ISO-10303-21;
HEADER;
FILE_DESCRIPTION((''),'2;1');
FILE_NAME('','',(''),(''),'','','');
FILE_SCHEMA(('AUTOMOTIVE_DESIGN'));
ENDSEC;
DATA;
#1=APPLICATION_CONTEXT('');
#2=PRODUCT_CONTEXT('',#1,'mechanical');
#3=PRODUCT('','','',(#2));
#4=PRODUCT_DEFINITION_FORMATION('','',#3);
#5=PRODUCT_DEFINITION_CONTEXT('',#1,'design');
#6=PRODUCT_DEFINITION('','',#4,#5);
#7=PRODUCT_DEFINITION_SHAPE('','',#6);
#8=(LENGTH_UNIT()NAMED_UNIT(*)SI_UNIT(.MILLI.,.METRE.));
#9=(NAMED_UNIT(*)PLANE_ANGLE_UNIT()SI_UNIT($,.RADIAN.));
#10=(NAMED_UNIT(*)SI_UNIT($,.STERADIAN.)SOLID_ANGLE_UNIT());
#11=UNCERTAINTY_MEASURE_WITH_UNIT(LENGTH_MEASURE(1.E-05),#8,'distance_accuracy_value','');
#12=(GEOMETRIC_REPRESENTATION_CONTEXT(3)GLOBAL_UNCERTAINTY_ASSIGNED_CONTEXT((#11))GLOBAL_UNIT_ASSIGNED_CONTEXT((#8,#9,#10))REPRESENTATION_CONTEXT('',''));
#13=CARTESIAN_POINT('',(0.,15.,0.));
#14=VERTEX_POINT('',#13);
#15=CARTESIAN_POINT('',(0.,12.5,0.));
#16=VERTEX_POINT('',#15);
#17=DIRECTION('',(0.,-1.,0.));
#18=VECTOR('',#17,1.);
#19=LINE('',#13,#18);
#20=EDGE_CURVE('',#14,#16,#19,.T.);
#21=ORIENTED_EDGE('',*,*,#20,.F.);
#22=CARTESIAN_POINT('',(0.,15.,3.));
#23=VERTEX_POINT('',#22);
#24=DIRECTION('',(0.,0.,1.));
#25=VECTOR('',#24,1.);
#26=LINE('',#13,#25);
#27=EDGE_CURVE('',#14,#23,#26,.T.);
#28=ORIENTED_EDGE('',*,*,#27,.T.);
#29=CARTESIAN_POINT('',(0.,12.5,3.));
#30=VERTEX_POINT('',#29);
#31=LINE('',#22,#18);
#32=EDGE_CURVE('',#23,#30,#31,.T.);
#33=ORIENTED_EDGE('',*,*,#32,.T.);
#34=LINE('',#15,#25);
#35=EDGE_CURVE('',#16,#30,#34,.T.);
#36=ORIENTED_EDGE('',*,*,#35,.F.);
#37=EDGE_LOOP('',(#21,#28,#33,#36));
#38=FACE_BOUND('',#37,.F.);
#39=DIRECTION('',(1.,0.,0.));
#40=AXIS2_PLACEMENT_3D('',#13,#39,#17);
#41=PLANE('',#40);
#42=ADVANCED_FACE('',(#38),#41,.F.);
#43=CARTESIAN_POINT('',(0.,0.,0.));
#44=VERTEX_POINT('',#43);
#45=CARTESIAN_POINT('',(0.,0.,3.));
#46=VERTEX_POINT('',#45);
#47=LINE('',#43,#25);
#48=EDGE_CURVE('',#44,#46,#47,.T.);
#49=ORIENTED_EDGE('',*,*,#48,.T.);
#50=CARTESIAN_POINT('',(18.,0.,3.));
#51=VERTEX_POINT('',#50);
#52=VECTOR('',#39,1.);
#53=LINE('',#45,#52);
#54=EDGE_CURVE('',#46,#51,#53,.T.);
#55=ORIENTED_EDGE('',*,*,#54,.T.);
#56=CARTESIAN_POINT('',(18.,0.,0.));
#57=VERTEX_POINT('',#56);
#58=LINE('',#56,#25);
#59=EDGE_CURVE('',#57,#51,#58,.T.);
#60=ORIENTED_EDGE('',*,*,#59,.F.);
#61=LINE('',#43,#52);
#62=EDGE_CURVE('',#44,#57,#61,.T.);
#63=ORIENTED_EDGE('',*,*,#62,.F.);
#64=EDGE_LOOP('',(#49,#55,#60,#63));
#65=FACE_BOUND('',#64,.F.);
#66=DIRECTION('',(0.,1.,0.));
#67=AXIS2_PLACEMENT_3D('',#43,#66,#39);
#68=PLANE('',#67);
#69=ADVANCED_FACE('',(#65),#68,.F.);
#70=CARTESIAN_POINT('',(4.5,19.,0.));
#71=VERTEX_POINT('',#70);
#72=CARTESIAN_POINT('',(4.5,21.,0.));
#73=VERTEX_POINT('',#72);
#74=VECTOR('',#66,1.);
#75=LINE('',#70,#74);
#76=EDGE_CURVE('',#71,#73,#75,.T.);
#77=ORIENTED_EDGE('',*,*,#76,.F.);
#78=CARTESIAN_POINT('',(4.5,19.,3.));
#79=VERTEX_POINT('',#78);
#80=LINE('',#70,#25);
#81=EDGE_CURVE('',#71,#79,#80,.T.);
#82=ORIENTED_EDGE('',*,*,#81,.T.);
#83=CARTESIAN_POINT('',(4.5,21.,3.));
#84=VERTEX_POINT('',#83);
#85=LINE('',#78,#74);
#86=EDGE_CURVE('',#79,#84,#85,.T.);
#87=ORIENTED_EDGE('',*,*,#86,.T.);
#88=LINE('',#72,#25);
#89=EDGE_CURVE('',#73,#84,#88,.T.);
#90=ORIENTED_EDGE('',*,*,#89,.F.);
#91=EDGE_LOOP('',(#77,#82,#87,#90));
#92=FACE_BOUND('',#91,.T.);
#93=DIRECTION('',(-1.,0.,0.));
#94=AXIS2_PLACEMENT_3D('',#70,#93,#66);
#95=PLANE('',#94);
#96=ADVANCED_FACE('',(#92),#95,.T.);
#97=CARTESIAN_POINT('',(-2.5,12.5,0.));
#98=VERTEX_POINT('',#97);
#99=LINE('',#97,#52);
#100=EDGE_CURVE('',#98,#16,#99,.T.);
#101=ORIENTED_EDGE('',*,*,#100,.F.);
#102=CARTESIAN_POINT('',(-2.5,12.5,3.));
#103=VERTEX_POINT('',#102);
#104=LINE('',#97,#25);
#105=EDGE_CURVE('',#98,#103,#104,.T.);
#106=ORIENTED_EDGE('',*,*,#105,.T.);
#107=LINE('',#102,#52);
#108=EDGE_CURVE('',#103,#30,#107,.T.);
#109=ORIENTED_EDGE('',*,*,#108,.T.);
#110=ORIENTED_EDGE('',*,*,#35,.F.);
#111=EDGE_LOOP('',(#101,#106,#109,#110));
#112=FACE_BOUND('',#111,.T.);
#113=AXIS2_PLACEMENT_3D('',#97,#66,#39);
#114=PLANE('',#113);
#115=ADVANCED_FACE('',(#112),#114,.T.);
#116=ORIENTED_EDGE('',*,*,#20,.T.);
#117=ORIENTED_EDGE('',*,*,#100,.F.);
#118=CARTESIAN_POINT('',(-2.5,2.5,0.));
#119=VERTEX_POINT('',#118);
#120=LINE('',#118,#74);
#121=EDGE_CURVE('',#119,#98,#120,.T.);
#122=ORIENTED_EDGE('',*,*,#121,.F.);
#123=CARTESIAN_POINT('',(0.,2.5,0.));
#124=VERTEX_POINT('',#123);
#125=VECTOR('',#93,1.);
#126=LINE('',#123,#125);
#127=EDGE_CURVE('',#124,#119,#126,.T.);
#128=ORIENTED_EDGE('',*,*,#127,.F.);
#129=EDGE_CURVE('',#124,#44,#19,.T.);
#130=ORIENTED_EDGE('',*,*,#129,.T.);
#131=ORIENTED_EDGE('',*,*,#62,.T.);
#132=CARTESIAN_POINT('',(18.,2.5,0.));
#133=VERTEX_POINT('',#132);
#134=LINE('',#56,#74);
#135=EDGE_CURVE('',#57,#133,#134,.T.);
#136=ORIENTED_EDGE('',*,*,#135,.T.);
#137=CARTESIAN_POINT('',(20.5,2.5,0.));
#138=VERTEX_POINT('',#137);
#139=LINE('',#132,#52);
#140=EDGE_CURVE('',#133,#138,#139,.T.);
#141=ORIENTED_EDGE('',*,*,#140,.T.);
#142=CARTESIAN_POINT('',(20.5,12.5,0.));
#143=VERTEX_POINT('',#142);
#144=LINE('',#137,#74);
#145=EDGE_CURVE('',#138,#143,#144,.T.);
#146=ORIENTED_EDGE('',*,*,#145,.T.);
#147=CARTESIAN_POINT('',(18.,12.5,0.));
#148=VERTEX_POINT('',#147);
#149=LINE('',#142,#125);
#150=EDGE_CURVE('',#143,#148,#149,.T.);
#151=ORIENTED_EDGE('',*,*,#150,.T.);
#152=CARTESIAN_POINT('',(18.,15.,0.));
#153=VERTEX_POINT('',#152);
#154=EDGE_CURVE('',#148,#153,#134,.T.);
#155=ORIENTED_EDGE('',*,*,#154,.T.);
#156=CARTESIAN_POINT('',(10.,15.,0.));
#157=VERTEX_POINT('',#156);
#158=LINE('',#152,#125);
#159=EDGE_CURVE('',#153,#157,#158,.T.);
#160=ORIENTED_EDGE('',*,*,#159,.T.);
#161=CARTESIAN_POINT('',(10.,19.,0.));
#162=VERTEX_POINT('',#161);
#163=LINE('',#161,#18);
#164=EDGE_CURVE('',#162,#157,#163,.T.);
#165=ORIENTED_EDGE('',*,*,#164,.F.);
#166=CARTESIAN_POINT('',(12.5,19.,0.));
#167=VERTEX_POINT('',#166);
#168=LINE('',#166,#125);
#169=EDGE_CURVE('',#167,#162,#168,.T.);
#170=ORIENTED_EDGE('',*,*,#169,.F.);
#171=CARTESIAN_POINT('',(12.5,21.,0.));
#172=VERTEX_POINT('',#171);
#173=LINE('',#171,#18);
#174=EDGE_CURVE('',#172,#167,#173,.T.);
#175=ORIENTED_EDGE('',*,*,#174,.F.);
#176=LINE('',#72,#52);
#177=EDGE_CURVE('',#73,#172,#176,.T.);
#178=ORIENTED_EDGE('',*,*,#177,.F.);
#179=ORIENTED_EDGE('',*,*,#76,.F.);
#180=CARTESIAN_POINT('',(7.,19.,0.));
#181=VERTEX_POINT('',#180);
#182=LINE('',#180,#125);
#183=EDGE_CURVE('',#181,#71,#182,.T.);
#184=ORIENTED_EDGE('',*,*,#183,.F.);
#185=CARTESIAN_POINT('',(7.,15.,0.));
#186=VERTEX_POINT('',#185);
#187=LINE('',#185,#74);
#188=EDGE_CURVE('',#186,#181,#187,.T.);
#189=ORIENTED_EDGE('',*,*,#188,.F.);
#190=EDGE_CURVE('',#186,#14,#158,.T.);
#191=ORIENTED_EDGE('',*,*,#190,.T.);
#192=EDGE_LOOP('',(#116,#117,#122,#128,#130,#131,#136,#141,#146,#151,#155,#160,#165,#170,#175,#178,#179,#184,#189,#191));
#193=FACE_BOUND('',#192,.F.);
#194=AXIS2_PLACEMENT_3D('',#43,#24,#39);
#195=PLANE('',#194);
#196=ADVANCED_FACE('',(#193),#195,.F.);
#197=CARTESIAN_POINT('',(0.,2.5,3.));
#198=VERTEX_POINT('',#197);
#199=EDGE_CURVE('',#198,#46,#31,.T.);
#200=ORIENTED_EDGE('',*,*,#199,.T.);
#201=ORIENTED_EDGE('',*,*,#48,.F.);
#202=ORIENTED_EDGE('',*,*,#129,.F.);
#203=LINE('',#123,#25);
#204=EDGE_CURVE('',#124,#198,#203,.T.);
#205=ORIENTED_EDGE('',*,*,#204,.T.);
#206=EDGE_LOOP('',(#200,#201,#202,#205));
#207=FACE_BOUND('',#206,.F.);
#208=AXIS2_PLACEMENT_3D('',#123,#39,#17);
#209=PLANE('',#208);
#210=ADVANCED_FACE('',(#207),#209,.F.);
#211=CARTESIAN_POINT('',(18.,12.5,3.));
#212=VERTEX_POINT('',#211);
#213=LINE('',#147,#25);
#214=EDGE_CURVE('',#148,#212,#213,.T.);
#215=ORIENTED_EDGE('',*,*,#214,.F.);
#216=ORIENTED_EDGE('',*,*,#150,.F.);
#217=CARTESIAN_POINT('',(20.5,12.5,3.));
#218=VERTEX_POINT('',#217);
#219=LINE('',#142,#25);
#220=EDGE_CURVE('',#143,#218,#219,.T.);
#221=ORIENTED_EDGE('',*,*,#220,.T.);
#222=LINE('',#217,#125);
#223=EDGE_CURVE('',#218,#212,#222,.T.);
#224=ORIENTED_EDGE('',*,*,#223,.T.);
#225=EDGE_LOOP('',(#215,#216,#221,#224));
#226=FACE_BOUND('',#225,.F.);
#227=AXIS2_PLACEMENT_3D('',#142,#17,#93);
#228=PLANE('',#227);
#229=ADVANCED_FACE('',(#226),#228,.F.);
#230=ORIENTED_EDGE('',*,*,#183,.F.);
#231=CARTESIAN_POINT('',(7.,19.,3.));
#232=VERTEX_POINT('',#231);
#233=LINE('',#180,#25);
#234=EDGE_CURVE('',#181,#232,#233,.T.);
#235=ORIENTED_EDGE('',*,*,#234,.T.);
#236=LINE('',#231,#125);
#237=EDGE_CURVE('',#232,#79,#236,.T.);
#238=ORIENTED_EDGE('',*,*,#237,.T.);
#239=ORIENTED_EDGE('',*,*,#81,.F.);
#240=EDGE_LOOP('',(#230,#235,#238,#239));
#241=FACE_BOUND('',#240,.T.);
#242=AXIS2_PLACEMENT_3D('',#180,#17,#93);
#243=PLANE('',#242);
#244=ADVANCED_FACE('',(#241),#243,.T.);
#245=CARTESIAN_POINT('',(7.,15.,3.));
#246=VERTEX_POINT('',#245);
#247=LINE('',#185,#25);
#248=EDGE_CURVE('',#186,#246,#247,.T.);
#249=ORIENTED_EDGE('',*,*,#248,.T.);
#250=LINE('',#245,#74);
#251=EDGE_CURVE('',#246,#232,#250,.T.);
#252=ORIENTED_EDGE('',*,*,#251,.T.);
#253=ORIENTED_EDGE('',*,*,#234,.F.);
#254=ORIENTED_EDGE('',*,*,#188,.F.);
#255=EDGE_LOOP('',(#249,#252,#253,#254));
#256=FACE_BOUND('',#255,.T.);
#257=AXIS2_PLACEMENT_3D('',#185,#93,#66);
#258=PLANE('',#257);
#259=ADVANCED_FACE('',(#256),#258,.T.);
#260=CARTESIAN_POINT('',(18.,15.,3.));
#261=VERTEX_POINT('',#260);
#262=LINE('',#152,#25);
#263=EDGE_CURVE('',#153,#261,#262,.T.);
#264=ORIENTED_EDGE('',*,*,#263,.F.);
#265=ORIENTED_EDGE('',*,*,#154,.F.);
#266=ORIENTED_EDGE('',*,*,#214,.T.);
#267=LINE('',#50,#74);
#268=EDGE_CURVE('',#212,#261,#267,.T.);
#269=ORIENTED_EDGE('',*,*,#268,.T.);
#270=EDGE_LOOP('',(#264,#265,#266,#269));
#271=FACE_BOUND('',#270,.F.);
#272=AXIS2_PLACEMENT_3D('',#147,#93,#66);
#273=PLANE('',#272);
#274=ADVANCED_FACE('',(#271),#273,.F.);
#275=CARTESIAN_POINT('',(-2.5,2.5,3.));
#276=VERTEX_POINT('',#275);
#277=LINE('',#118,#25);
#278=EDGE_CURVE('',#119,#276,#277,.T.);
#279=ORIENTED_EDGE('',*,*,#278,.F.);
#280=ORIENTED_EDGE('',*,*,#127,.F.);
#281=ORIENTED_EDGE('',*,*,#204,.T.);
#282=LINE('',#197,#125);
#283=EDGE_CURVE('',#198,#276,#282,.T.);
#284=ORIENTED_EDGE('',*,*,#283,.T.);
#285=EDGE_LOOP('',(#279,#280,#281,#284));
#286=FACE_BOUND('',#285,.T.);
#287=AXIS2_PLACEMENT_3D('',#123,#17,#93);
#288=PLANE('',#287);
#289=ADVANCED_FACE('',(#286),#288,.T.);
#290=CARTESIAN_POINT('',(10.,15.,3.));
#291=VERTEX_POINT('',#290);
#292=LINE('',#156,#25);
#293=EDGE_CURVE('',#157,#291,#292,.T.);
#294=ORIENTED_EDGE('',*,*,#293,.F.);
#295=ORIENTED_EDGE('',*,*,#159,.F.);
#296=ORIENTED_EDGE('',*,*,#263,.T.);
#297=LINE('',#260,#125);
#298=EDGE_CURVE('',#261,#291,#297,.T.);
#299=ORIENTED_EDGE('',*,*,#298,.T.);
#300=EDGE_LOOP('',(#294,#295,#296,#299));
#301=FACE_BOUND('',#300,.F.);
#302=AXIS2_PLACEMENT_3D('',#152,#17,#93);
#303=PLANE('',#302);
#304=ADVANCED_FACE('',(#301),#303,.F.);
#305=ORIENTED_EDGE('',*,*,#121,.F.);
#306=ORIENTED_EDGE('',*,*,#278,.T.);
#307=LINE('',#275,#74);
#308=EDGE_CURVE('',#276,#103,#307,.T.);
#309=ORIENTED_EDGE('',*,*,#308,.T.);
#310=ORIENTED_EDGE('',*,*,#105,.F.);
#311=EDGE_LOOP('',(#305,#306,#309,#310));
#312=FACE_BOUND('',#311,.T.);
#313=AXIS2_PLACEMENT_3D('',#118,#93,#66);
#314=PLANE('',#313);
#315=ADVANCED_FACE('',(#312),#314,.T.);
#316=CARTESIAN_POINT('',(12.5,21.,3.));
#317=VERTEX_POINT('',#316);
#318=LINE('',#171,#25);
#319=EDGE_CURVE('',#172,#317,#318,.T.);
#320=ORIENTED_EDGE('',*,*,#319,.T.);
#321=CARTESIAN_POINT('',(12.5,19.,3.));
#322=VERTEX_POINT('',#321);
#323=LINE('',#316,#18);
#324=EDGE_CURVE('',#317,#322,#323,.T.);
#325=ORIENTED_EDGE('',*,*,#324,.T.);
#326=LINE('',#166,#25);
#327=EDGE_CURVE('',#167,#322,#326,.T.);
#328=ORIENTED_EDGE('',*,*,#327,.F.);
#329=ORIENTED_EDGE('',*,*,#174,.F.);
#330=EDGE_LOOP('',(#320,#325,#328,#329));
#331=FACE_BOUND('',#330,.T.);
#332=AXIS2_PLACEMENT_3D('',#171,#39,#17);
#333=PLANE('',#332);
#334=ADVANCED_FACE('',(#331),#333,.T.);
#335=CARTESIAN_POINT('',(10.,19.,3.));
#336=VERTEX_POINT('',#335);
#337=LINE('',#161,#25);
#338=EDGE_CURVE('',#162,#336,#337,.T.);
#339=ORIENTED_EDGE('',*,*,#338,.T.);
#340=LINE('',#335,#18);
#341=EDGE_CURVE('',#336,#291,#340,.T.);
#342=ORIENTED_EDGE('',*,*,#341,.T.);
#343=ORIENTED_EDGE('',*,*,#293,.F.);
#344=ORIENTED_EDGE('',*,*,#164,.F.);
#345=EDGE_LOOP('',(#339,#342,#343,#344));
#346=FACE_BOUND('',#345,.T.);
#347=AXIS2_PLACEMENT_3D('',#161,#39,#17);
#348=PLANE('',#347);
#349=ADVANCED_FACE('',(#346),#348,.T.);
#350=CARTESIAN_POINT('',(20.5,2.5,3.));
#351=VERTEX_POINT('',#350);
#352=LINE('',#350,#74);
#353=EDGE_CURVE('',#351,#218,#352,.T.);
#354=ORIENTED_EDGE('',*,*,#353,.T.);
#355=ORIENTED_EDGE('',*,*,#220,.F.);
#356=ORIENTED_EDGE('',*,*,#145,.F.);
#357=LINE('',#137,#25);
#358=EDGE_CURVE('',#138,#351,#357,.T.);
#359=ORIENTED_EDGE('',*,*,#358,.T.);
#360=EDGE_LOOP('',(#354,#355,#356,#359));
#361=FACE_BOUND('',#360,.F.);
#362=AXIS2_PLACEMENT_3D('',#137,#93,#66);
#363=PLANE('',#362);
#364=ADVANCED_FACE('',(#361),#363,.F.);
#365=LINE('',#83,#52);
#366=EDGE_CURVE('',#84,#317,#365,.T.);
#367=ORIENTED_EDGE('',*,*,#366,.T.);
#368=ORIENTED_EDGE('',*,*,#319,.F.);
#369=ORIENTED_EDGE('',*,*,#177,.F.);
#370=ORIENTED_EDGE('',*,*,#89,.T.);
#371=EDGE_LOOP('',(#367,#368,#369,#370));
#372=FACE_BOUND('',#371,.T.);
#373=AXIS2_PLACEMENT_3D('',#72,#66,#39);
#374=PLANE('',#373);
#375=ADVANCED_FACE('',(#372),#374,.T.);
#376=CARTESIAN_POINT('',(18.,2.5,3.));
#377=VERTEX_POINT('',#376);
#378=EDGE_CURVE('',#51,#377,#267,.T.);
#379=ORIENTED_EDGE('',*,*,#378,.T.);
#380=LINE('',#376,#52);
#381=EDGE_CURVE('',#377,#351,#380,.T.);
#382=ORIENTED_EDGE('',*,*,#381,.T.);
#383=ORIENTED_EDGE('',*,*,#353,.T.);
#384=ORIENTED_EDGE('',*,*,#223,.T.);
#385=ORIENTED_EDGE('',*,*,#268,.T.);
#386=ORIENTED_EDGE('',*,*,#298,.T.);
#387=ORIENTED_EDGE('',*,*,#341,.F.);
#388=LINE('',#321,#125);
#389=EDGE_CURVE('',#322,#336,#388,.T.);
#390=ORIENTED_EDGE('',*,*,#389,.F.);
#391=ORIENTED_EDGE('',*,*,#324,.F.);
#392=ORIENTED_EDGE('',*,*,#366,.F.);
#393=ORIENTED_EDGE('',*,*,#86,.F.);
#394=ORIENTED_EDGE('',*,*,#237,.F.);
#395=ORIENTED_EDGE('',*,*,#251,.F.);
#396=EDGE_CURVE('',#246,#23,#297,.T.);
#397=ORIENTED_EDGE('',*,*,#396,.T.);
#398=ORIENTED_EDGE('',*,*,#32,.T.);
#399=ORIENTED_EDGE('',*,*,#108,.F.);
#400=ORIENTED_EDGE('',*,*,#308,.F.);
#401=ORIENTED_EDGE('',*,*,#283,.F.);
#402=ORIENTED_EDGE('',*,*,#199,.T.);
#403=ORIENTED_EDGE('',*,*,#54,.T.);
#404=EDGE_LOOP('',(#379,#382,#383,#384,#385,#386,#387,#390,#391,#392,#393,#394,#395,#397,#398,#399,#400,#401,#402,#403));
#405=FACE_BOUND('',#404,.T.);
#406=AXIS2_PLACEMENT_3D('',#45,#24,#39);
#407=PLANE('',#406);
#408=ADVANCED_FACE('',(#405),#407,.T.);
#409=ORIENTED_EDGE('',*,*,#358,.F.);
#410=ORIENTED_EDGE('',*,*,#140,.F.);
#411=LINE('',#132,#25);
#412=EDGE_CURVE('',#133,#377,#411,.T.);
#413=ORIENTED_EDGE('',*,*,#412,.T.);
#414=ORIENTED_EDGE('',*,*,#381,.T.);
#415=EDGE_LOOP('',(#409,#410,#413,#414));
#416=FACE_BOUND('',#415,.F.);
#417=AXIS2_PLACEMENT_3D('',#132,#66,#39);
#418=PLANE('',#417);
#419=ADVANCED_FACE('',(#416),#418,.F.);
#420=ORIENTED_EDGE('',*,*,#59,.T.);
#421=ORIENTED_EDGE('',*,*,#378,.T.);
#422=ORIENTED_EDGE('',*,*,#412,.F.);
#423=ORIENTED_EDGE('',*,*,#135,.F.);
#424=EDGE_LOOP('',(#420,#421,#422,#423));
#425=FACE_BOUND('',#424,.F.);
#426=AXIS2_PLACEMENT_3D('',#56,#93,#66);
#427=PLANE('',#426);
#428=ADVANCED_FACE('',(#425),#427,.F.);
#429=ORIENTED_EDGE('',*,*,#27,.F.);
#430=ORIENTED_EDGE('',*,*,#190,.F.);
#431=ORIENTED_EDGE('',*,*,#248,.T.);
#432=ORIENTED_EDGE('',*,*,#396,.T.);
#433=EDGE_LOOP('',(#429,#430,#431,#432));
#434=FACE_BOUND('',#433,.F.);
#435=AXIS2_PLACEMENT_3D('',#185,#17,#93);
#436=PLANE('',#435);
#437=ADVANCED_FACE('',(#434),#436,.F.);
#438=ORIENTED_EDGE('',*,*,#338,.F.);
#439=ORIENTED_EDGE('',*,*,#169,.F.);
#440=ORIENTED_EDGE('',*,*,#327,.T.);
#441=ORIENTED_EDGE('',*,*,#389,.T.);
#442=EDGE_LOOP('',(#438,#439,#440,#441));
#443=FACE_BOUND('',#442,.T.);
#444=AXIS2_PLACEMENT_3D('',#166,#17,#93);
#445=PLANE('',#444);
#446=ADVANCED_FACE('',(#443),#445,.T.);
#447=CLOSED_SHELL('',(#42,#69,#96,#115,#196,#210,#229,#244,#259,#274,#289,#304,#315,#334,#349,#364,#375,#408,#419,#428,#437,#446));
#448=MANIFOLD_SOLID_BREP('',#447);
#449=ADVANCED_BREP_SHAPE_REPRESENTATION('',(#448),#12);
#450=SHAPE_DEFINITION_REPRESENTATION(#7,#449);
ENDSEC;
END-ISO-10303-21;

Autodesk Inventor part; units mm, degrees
ref_plane "YZ Plane" through (0, 0, 0) normal (1, 0, 0) x (0, 1, 0)
ref_plane "XZ Plane" through (0, 0, 0) normal (0, 1, 0) x (-1, 0, 0)
ref_plane "XY Plane" through (0, 0, 0) normal (0, 0, 1) x (1, 0, 0)
sketch "Sketch1" plane through (0, 0, 0) normal (0, 0, 1) x (1, 0, 0)
  line L0 (0, 0) -> (18, 0)
  line L1 (18, 0) -> (18, 15)
  line L2 (18, 15) -> (0, 15)
  line L3 (0, 15) -> (0, 0)
  line L4 (20.5, 12.5) -> (18, 12.5)
  line L5 (18, 12.5) -> (18, 2.5)
  line L6 (18, 2.5) -> (20.5, 2.5)
  line L7 (20.5, 2.5) -> (20.5, 12.5)
  line L8 (20.5, 12.5) -> (18, 2.5) construction
  line L9 (18, 12.5) -> (20.5, 2.5) construction
  line L10 (-2.5, 12.5) -> (0, 12.5)
  line L11 (0, 12.5) -> (0, 2.5)
  line L12 (0, 2.5) -> (-2.5, 2.5)
  line L13 (-2.5, 2.5) -> (-2.5, 12.5)
  line L14 (-2.5, 12.5) -> (0, 2.5) construction
  line L15 (0, 12.5) -> (-2.5, 2.5) construction
  line L16 (7, 15) -> (7, 19)
  line L17 (7, 19) -> (4.5, 19)
  line L18 (4.5, 19) -> (4.5, 21)
  line L19 (4.5, 21) -> (12.5, 21)
  line L20 (12.5, 21) -> (12.5, 19)
  line L21 (12.5, 19) -> (10, 19)
  line L22 (10, 19) -> (10, 15)
  point P0 (19.25, 7.5)
  point P1 (-1.25, 7.5)
  point P2 (18, 7.5)
  point P3 (0, 7.5)
  point P4 (0, 12.5)
  dimension "d0" = 18
  dimension "d1" = 15
  dimension "d2" = 2.5
  dimension "d3" = 2.5
  dimension "d4" = 10
  dimension "d5" = 4
  dimension "d6" = 2.5
  dimension "d7" = 2
  dimension "d8" = 8
  dimension "d9" = 2
  dimension "d10" = 2.5
  dimension "d11" = 7
extrude "Extrusion1" add sketch "Sketch1" along normal blind 3
properties part number "Spring_holder"
